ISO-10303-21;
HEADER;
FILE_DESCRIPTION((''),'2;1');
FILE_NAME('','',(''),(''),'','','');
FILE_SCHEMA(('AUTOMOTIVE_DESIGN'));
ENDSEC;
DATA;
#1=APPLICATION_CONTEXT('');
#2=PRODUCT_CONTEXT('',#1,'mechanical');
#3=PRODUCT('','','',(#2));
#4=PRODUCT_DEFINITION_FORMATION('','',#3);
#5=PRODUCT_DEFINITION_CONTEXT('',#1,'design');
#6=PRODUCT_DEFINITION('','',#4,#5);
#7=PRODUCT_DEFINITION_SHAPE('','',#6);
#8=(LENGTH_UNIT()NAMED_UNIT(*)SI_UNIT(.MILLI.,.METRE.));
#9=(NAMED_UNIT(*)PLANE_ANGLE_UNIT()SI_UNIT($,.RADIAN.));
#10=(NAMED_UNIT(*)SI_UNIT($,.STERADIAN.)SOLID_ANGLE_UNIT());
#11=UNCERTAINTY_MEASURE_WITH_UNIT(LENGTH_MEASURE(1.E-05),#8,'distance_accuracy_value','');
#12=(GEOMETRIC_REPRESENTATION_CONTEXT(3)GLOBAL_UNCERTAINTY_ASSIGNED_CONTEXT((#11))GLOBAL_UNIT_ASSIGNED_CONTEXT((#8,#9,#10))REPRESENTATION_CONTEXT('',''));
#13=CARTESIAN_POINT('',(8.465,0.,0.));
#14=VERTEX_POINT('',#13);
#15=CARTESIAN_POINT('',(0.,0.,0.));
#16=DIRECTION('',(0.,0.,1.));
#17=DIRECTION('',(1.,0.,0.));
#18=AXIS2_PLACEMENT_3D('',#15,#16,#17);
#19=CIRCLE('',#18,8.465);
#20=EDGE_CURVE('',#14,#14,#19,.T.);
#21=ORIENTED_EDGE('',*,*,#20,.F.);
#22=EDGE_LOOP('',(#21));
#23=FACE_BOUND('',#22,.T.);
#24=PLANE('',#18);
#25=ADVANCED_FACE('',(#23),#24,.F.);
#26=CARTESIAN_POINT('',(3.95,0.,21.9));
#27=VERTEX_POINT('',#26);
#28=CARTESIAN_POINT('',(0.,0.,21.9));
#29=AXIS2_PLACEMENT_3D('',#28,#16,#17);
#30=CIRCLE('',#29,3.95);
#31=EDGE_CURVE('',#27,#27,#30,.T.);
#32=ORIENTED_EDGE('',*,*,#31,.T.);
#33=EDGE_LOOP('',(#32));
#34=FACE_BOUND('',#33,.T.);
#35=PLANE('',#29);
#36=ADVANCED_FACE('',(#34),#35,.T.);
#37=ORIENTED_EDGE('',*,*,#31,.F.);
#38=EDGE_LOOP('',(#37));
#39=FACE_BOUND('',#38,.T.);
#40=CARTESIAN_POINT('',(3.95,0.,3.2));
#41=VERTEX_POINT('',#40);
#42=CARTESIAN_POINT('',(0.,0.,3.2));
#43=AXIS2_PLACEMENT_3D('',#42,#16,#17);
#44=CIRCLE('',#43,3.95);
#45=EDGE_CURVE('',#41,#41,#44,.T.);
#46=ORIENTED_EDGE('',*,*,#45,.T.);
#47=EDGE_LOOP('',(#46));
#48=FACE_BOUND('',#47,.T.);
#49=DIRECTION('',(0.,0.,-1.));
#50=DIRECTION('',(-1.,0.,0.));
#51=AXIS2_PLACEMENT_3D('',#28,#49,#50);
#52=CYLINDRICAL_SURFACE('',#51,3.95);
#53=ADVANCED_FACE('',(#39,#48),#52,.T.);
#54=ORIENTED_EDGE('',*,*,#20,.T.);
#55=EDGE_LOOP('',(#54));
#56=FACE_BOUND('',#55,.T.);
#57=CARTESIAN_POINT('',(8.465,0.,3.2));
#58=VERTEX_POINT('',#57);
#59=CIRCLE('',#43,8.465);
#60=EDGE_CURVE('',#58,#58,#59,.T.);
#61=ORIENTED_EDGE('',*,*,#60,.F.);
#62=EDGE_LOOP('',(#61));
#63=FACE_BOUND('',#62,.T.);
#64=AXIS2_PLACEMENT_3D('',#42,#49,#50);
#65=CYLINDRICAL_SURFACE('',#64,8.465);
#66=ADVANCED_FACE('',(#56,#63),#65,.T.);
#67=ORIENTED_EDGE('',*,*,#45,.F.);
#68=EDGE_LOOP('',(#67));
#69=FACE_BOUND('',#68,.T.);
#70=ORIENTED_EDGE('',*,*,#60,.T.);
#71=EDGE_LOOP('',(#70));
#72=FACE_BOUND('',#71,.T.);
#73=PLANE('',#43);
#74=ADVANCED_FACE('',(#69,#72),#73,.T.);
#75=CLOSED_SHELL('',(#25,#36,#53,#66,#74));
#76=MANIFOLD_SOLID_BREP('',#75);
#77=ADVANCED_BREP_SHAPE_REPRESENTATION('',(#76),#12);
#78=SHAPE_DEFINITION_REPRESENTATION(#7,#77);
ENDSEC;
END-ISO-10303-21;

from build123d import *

# Parameters (mm, degrees)
SKETCH1_R   = 8.465
HEAD_DEPTH  = 3.2
SKETCH2_R   = 3.95
SHANK_DEPTH = 18.7


with BuildPart() as part:
    # Sketch1 → Head (new body)
    with BuildSketch(Plane.XY):
        Circle(SKETCH1_R)
    extrude(amount=HEAD_DEPTH)

    # Sketch2 → Shank (add)
    with BuildSketch(Plane.XY.offset(3.2)):
        Circle(SKETCH2_R)
    extrude(amount=SHANK_DEPTH)


solid = part.part
